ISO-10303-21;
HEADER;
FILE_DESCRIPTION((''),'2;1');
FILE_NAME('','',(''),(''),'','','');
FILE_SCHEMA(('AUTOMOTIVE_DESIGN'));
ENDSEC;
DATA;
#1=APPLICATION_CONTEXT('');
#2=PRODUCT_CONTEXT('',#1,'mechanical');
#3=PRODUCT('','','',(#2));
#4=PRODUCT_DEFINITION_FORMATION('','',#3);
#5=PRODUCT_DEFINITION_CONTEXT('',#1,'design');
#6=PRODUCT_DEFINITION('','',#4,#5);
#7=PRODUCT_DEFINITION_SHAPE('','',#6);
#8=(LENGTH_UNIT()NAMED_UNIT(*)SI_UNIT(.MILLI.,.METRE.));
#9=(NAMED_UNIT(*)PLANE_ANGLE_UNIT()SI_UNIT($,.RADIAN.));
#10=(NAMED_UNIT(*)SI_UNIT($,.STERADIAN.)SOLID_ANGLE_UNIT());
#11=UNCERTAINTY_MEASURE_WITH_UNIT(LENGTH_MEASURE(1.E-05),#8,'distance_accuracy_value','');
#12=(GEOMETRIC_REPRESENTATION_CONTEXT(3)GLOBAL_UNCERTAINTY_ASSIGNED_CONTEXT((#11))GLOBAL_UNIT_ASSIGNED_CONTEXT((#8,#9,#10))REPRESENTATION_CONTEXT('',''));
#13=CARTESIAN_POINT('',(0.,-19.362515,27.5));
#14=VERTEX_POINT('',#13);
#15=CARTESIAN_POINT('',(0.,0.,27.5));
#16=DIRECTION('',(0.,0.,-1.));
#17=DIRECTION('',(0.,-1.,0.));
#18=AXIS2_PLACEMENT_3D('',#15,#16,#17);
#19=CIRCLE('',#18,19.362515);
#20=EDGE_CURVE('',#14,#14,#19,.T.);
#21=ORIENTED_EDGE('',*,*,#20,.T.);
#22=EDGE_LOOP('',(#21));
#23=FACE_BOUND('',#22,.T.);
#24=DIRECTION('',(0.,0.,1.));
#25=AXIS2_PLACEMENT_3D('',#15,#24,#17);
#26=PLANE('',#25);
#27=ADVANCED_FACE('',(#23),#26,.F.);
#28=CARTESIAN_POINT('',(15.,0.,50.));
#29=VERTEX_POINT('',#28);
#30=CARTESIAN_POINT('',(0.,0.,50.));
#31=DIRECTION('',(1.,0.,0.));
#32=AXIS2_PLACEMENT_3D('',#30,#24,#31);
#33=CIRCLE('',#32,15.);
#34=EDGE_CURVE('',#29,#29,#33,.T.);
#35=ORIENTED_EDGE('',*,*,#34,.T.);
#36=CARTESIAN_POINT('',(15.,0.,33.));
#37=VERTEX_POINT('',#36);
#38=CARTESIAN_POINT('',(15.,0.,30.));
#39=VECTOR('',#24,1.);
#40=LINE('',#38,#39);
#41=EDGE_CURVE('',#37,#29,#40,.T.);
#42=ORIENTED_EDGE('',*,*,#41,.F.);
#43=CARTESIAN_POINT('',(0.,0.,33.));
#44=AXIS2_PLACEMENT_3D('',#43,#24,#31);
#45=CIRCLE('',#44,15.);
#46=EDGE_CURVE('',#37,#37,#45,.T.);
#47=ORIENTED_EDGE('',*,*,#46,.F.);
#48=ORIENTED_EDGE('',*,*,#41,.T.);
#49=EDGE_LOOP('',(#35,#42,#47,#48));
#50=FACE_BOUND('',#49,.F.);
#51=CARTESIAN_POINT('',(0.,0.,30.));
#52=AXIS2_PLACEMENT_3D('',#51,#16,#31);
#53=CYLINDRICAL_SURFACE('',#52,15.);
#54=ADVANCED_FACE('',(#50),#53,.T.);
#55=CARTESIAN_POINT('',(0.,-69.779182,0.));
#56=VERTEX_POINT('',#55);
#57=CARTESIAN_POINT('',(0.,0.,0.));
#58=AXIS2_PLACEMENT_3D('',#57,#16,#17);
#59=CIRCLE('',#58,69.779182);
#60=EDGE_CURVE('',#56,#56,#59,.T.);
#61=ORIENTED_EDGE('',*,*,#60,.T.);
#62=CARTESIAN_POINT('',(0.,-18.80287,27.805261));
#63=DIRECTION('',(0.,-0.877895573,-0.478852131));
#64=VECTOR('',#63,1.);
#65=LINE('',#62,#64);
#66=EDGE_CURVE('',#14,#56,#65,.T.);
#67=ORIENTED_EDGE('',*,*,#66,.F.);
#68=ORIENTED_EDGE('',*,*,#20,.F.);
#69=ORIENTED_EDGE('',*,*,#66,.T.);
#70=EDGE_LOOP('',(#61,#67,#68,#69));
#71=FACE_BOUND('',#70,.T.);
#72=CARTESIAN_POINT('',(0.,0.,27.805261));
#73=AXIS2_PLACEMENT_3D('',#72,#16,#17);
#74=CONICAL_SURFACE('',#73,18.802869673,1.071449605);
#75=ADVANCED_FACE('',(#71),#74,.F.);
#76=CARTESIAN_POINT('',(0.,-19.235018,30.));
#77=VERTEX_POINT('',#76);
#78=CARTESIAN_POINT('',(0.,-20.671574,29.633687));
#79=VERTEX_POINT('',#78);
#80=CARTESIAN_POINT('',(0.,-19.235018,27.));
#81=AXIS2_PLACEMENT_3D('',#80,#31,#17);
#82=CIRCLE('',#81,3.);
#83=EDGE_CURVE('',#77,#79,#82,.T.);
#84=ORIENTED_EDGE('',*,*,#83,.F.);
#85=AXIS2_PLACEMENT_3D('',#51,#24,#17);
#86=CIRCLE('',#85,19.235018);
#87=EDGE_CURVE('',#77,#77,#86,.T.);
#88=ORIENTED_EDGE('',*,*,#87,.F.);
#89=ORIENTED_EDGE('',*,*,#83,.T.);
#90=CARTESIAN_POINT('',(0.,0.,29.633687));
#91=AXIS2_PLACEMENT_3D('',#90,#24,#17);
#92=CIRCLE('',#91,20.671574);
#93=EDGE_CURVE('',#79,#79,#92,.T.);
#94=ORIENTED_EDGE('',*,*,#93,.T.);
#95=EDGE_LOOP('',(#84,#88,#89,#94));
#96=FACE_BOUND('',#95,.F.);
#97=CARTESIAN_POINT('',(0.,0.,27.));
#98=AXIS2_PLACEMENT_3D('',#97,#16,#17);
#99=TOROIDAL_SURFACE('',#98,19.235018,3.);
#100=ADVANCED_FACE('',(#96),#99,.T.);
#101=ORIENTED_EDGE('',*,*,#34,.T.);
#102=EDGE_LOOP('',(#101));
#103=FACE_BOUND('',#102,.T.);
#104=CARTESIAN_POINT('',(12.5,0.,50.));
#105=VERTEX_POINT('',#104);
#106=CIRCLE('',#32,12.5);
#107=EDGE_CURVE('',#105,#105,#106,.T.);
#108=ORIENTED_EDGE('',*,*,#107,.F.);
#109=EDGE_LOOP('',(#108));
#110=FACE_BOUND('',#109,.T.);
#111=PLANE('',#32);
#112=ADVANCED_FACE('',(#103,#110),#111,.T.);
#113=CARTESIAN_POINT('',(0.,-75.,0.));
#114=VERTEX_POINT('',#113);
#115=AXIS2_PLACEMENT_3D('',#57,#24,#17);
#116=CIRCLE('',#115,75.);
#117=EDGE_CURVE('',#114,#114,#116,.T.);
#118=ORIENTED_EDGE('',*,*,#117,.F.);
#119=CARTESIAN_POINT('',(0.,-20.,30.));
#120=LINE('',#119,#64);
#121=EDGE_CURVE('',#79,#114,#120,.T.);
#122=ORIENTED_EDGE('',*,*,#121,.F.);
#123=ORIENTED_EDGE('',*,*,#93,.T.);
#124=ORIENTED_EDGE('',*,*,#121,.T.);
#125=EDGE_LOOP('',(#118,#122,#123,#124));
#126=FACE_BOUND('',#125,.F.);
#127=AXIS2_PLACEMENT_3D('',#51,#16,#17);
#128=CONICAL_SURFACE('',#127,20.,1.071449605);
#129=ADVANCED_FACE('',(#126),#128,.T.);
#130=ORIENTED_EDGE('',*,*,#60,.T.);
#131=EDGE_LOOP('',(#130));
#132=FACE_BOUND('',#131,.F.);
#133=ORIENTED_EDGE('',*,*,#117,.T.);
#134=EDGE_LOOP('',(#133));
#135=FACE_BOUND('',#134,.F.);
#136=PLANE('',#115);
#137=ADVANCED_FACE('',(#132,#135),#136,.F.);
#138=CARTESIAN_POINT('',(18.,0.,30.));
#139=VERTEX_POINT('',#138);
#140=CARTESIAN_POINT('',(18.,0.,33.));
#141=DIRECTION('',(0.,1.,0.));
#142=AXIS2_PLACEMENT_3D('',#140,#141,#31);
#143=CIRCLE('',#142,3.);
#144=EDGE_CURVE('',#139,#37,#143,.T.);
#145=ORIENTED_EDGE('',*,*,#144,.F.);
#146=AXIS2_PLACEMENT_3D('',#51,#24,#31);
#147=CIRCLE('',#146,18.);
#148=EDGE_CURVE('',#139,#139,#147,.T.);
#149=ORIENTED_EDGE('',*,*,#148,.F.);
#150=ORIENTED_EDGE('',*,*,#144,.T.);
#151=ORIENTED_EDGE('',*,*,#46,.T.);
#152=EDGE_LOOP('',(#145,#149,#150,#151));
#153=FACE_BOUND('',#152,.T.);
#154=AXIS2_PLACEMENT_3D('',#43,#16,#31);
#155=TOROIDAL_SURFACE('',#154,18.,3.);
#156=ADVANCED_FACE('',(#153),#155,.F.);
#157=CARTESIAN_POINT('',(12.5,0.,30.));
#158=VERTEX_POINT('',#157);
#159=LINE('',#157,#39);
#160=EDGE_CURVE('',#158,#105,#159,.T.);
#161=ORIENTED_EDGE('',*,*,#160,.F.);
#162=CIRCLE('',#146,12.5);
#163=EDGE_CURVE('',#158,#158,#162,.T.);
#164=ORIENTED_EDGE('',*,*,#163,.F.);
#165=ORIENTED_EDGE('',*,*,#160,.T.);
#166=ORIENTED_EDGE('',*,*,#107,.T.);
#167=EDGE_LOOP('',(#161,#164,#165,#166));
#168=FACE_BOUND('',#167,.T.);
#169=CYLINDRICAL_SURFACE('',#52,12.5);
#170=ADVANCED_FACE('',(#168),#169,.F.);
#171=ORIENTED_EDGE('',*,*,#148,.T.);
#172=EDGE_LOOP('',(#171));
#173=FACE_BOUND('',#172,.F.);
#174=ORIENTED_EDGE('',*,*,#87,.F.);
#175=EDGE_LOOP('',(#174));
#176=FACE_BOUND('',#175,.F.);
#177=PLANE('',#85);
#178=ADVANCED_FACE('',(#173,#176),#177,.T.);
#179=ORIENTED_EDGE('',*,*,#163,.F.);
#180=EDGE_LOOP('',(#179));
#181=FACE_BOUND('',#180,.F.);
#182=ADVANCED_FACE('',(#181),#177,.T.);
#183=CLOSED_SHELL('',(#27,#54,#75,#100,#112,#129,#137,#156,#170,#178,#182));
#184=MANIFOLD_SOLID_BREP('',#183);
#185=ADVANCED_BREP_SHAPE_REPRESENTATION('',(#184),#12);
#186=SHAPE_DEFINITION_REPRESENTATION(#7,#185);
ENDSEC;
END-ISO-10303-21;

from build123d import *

# Parameters (mm, degrees)
F3_T     = -2.5
F4_R     = 15
F4_R_2   = 12.5
F5_DEPTH = 20
F6_R     = 3


with BuildPart() as f1:
    # F0 (on Right) → F1 (revolve)
    with BuildSketch(Plane.YZ):
        Polygon((0, 0), (0, 30), (-20, 30), (-75, 0), align=None)
    revolve(axis=Axis((0, 0, 15), (0, 0, 1)))

    # F3
    f3_openings = [f1.faces().sort_by_distance(p)[0] for p in [
        (0, 0, 0),
    ]]
    offset(amount=F3_T, openings=f3_openings)

    # F4 (on face) → F5 (join)
    with BuildSketch(Plane.XY.offset(30)):
        Circle(F4_R)
        Circle(F4_R_2, mode=Mode.SUBTRACT)
    extrude(amount=F5_DEPTH)

    # F6
    f6_edges = [f1.edges().sort_by_distance(p)[0] for p in [
        (0, 20, 30),
        (-15, 0, 30),
    ]]
    fillet(f6_edges, radius=F6_R)


solid = f1.part
